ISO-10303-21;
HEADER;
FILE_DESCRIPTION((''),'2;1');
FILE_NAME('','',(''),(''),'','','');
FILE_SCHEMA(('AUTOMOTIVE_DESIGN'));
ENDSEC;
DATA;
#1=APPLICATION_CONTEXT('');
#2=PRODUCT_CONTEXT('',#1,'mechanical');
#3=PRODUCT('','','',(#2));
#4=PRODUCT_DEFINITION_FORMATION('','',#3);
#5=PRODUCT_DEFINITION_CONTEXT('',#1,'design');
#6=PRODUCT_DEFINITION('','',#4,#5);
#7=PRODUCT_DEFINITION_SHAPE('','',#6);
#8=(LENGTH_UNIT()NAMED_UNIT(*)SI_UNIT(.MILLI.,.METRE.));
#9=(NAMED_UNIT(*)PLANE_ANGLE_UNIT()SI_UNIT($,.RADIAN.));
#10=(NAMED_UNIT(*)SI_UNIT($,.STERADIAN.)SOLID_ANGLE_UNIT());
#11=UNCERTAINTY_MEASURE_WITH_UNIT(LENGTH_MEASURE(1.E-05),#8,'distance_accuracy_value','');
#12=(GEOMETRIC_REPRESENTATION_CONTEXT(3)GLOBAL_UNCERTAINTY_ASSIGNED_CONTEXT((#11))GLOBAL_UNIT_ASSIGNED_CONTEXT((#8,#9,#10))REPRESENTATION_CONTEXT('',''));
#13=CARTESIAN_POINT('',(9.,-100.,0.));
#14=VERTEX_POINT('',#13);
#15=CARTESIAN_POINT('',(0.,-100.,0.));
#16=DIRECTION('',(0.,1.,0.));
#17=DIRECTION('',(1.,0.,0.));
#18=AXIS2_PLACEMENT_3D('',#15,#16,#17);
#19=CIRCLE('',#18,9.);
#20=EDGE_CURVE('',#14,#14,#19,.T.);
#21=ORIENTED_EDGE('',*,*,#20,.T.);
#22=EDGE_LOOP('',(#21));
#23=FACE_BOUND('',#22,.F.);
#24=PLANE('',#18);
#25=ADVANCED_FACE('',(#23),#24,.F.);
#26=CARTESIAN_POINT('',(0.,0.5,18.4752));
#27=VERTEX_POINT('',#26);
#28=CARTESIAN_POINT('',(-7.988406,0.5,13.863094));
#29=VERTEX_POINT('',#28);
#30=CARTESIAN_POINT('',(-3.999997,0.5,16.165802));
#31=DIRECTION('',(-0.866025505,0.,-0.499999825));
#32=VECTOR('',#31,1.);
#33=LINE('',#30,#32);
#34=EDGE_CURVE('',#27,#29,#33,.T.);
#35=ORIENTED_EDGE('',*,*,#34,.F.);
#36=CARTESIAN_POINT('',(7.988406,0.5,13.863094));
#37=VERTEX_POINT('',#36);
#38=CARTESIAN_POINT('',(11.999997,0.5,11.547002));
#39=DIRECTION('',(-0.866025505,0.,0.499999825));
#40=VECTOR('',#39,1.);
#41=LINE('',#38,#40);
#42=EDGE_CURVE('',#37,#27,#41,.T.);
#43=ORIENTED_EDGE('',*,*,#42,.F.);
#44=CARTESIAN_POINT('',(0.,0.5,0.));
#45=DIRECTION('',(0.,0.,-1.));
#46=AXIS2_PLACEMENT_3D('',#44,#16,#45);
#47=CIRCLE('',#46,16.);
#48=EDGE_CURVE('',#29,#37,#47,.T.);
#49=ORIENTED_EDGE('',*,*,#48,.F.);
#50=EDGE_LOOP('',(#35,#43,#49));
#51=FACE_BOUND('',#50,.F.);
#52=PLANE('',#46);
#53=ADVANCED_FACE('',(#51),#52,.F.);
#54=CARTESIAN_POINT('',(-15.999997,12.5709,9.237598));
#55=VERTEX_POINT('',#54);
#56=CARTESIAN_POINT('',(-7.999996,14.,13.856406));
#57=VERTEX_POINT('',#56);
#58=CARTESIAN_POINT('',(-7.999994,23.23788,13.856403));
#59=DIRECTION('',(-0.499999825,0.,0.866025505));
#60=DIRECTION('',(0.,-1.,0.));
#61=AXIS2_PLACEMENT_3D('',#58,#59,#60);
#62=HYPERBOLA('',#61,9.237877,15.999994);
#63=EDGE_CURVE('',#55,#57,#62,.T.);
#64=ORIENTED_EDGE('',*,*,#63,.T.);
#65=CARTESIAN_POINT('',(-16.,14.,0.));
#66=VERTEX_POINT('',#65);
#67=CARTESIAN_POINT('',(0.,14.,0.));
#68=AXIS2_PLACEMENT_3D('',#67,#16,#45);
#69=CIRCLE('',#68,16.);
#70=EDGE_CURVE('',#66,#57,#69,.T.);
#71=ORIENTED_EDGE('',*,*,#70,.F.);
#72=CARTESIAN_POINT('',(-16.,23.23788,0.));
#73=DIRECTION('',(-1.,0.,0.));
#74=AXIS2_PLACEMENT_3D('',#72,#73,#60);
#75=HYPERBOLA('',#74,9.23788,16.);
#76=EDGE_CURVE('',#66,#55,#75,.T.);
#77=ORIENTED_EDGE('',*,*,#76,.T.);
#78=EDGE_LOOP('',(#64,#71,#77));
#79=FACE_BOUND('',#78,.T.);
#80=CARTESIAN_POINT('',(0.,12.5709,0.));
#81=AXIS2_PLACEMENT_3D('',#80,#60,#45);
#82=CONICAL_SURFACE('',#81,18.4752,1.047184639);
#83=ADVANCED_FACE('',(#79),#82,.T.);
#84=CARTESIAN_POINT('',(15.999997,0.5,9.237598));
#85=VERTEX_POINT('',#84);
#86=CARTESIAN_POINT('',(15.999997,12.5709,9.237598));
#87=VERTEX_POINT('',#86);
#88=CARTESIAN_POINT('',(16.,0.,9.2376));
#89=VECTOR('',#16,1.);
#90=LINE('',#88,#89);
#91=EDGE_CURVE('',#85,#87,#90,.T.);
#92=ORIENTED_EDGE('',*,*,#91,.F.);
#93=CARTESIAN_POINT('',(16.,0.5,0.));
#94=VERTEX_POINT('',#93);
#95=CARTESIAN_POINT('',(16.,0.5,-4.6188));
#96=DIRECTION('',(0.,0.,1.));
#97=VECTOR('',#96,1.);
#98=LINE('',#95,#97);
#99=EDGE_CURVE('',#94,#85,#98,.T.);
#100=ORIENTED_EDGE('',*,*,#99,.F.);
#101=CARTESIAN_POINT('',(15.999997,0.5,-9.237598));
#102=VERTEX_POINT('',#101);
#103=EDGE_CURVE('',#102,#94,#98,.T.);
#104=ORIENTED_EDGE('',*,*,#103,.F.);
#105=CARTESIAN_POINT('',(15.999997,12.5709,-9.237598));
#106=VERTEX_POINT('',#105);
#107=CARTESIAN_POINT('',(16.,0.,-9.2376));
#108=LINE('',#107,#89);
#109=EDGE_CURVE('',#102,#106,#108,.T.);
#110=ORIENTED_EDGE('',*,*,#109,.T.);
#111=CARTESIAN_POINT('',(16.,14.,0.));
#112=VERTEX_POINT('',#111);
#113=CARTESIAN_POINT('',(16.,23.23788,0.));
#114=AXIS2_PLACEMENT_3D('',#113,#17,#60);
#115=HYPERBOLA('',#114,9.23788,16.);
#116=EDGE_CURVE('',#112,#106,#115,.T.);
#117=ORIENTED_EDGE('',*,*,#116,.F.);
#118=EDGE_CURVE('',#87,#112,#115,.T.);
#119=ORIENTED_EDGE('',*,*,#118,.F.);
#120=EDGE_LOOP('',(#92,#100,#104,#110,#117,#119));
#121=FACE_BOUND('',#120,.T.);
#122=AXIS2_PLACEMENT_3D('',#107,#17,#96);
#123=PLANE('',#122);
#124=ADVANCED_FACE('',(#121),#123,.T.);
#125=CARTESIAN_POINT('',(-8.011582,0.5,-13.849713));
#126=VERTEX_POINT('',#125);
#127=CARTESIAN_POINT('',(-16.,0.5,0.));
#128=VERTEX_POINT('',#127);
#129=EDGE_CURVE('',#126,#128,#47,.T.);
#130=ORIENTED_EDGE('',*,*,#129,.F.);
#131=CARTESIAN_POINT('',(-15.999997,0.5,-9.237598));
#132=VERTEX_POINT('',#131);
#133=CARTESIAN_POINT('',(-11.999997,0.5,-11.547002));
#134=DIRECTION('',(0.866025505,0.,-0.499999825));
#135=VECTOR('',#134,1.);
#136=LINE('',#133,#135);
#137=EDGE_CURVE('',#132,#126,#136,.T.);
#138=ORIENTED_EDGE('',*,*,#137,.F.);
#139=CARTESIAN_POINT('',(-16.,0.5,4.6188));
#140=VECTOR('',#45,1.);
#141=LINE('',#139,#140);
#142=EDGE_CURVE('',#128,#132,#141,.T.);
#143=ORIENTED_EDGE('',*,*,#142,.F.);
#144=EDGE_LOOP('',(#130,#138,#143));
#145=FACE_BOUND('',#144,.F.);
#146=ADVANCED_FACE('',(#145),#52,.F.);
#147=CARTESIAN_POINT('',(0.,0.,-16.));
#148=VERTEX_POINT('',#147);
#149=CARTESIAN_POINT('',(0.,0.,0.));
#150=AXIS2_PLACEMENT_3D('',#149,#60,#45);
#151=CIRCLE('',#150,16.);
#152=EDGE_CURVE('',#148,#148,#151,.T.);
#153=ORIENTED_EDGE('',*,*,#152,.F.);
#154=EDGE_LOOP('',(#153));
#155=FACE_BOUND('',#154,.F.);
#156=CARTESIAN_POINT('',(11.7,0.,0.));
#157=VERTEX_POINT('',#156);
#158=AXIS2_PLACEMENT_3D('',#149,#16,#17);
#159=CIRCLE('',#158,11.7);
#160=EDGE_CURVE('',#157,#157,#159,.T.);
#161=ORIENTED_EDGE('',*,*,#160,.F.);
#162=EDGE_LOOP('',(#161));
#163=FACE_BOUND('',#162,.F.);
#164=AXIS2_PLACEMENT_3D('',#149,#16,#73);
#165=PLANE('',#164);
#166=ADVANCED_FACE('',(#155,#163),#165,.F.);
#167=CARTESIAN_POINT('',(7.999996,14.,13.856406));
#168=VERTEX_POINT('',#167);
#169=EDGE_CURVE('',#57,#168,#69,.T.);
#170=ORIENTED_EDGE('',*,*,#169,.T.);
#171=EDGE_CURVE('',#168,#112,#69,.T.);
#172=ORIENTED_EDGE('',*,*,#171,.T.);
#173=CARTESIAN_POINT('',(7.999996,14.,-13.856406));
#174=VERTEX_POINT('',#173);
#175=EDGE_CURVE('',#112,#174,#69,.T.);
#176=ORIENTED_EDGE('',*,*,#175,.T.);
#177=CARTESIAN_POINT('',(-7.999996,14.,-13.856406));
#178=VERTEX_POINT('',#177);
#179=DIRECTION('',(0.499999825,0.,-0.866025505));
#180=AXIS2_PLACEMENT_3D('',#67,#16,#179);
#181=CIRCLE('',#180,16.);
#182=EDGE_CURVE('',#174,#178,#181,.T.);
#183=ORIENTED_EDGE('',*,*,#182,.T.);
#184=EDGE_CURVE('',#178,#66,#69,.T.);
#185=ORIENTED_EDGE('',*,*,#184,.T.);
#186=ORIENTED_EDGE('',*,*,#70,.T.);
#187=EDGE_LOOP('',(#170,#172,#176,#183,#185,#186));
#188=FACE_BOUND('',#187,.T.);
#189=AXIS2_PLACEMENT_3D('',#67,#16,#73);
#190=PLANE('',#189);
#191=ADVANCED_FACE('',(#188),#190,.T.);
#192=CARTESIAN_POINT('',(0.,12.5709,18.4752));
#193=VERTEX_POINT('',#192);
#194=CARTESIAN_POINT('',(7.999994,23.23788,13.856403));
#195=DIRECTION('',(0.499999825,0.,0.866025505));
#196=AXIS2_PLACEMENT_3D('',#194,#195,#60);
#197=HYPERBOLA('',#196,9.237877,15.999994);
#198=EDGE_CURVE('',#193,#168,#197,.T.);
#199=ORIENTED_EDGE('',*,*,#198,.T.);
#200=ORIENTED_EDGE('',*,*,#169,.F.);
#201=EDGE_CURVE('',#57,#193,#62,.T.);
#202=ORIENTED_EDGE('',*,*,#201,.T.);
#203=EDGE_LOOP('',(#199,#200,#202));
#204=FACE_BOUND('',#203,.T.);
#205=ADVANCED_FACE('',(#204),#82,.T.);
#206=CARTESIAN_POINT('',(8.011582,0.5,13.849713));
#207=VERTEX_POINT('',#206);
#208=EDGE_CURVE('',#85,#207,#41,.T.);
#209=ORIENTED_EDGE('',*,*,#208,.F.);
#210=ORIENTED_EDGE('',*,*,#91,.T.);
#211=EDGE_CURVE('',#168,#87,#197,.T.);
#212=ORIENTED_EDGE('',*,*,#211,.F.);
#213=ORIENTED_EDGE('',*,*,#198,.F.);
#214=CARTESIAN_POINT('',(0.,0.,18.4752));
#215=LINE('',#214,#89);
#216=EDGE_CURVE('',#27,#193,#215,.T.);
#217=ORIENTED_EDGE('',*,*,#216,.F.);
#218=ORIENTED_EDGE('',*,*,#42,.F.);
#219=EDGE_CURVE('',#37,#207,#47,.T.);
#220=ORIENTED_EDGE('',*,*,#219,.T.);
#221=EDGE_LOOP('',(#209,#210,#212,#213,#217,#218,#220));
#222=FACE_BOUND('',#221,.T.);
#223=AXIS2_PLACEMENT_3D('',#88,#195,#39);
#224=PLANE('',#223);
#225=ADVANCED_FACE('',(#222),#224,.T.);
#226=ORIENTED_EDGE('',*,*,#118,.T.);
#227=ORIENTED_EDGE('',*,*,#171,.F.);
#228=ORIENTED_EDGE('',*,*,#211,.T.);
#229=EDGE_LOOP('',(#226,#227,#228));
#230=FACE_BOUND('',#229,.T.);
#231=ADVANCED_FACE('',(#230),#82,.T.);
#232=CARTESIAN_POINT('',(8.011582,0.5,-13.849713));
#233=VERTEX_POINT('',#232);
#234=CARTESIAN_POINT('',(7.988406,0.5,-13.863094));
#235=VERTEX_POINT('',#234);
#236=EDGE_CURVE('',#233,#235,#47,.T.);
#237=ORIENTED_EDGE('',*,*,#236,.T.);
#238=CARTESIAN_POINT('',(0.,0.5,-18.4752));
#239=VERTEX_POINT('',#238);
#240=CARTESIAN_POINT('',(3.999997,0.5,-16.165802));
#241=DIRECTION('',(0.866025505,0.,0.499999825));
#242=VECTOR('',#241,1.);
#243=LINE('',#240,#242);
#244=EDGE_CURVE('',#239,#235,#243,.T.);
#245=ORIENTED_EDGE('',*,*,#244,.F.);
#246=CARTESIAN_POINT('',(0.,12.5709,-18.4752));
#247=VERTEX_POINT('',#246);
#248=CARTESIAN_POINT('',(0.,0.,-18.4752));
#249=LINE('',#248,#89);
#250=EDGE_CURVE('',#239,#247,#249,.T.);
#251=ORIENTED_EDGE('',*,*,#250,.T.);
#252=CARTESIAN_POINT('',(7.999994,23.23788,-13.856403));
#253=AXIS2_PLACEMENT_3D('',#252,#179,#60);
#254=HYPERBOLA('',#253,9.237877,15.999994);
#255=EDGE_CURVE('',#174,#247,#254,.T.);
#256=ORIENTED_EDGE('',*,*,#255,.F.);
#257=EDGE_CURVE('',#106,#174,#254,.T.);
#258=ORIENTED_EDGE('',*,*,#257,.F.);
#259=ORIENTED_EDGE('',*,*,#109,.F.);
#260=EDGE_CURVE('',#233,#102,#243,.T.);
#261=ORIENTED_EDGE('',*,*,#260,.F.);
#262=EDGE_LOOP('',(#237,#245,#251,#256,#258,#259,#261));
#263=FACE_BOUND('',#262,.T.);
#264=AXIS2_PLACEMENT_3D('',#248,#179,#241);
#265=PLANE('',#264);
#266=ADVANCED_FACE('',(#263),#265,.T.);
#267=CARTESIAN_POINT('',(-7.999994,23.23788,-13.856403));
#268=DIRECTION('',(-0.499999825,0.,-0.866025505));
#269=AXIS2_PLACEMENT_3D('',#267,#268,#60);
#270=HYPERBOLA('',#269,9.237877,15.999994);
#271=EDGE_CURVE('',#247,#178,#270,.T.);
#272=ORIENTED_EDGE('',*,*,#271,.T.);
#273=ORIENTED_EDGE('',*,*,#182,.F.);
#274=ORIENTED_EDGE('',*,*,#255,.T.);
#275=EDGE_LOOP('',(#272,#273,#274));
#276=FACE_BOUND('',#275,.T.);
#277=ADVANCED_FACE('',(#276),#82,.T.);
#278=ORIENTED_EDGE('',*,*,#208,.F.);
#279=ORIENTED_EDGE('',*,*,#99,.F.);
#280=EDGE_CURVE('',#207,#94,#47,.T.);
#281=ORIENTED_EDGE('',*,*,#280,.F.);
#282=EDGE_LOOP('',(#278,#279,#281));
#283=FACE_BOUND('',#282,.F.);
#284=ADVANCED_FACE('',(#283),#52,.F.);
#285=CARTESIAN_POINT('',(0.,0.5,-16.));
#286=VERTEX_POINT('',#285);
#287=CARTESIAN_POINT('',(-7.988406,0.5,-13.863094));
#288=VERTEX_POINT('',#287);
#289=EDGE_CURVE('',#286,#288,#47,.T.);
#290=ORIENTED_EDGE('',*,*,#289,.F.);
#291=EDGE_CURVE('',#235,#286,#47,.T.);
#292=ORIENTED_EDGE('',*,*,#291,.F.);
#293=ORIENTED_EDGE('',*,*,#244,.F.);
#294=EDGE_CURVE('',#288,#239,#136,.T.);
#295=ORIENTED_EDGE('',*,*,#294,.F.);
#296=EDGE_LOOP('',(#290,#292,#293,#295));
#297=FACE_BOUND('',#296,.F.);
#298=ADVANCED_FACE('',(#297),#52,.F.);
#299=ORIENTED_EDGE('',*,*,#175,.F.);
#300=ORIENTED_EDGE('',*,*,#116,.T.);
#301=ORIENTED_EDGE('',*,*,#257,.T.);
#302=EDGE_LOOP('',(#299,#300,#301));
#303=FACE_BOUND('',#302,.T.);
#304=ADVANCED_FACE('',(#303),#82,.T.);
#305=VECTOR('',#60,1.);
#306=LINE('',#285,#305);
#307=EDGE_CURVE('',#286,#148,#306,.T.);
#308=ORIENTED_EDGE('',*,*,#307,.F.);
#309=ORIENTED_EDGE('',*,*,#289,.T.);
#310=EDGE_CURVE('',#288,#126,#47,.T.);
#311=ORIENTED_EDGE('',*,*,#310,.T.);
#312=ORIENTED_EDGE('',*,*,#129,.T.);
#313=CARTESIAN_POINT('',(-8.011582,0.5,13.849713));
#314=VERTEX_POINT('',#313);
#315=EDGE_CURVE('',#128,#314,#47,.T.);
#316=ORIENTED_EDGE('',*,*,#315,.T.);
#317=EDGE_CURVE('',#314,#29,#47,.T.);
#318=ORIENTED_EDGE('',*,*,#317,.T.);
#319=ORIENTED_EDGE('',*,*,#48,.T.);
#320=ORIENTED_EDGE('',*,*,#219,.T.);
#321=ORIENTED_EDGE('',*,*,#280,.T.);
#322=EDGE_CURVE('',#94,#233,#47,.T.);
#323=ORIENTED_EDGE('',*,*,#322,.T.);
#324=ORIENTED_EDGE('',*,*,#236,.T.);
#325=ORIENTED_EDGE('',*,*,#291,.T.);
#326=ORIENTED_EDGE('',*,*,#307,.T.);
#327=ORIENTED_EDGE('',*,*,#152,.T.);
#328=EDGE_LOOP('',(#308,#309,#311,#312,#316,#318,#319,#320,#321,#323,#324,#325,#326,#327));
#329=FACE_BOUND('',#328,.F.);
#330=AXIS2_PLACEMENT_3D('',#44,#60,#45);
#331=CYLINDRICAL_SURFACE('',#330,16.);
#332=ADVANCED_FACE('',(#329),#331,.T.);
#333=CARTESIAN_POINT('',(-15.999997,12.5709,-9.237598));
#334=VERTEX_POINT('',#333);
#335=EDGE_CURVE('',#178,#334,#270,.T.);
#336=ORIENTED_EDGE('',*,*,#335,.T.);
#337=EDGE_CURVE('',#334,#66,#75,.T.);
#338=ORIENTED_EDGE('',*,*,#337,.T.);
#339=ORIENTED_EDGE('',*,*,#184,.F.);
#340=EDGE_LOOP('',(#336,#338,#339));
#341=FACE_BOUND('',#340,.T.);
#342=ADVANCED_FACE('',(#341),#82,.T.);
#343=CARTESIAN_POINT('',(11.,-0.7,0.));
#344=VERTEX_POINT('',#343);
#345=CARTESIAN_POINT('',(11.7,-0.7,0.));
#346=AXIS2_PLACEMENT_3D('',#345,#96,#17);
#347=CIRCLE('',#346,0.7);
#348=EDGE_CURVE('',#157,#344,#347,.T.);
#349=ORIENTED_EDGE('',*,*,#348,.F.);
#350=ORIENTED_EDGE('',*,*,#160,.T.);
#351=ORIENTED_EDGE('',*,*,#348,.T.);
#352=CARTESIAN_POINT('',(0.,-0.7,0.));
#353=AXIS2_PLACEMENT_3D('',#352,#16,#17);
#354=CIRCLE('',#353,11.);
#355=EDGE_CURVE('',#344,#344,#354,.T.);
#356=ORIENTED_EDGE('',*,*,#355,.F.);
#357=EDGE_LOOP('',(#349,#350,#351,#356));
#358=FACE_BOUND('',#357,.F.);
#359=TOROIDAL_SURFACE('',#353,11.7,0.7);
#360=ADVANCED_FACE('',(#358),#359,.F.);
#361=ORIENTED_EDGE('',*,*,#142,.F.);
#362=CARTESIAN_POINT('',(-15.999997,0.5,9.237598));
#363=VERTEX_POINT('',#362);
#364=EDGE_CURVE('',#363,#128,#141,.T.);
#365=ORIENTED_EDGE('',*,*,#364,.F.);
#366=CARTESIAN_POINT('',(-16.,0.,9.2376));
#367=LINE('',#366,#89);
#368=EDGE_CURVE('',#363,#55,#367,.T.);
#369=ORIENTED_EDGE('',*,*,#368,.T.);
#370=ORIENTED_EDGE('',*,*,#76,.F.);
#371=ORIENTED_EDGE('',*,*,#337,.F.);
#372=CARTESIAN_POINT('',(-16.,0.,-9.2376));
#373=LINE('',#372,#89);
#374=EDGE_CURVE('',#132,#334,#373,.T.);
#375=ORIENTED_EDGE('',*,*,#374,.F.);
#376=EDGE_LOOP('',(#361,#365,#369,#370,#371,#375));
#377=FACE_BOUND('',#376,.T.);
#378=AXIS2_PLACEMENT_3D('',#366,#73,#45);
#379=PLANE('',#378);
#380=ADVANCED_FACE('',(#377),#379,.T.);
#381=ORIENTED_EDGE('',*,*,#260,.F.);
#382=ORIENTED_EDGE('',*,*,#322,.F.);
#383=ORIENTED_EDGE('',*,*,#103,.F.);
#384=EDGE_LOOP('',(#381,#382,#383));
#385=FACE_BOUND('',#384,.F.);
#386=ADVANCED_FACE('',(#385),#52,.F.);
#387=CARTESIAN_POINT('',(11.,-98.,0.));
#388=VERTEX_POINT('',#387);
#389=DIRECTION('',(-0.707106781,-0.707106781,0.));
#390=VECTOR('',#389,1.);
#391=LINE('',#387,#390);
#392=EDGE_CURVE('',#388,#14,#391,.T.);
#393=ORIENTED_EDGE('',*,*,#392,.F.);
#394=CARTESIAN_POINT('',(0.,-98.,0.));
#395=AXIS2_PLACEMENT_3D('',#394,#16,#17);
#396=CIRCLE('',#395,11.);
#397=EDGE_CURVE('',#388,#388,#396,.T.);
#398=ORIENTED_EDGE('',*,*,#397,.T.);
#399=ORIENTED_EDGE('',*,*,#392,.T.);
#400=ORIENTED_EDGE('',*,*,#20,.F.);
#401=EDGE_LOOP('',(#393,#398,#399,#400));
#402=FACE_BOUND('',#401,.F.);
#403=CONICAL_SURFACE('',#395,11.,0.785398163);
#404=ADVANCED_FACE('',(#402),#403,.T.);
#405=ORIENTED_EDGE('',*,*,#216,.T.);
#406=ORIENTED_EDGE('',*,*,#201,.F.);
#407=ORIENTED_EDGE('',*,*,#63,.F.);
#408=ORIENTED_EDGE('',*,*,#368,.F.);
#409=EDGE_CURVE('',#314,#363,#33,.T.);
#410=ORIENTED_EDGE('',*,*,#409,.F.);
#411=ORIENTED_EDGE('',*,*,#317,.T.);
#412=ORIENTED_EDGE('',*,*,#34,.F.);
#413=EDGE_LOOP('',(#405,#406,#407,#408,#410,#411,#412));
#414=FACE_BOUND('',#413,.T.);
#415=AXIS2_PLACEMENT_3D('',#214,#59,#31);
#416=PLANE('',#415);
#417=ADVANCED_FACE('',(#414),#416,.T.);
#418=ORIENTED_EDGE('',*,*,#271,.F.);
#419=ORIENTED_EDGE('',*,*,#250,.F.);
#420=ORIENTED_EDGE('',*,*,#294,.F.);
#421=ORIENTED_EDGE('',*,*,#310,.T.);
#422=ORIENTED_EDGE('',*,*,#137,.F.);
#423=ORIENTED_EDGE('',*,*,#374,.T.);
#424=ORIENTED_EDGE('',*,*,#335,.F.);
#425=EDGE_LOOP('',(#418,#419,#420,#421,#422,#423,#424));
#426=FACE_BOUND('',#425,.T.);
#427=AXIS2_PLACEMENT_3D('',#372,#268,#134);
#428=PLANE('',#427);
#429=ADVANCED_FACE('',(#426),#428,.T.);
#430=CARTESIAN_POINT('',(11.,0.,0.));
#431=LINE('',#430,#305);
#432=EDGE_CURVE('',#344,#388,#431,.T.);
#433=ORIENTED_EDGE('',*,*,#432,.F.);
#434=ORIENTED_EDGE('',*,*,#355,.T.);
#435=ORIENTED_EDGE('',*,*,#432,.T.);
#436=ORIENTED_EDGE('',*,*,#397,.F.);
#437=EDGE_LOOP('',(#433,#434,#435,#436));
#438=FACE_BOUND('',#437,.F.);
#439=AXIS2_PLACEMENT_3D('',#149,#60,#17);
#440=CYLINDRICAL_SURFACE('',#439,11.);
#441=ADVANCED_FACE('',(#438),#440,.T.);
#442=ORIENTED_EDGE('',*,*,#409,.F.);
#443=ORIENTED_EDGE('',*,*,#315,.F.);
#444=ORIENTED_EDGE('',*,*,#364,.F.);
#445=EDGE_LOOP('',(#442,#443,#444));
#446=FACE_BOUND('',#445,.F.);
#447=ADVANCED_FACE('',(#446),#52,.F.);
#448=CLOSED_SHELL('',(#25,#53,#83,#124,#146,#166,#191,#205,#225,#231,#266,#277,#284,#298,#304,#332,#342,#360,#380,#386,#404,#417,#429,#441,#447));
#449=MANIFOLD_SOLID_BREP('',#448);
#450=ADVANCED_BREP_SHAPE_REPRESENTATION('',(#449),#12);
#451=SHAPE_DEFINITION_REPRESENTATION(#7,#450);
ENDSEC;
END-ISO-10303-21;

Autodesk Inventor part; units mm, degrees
ref_plane "YZ Plane" through (0, 0, 0) normal (1, 0, 0) x (0, 1, 0)
ref_plane "XZ Plane" through (0, 0, 0) normal (0, 1, 0) x (-1, 0, 0)
ref_plane "XY Plane" through (0, 0, 0) normal (0, 0, 1) x (1, 0, 0)
sketch "Sketch1" plane through (0, 0, 0) normal (0, 1, 0) x (-1, 0, 0)
  line L0 (127.8939, 73.8396) -> (127.8939, -73.8396)
  line L1 (127.8939, -73.8396) -> (0, -147.6791)
  line L2 (0, -147.6791) -> (-127.8939, -73.8396)
  line L3 (-127.8939, -73.8396) -> (-127.8939, 73.8396)
  line L4 (-127.8939, 73.8396) -> (0, 147.6791)
  line L5 (0, 147.6791) -> (127.8939, 73.8396)
  line L6 (-16, 9.2376) -> (0, 18.4752)
  line L7 (0, 18.4752) -> (16, 9.2376)
  line L8 (16, 9.2376) -> (16, -9.2376)
  line L9 (16, -9.2376) -> (0, -18.4752)
  line L10 (0, -18.4752) -> (-16, -9.2376)
  line L11 (-16, -9.2376) -> (-16, 9.2376)
  point P0 (0, 0)
  point P1 (0, 0)
  point P2 (0, 0)
  dimension "Shex" = 32
extrude "Extrusion1" add sketch "Sketch1" along normal blind 14 contours L6 L7 L8 L9 L10 L11
sketch "Sketch2" plane through (0, 0, 0) normal (1, 0, 0) x (0, 1, 0)
  line L0 (0, -18.4752) -> (14, -18.4752) construction
  line L1 (14, -18.4752) -> (12.5709, -18.4752)
  line L2 (12.5709, -18.4752) -> (14, -16)
  line L3 (14, -16) -> (14, -18.4752)
  line L4 (-3, 0) -> (18, 0) projected
  point P0 (0, 0)
  dimension "d4" = 60
  dimension "d5" = 32
revolve "Revolution1" cut sketch "Sketch2" angle 360 about axis through (0, -10, 0) along (0, 1, 0)
sketch "Sketch3" plane through (0, 0, 0) normal (0, 0, 1) x (1, 0, 0)
  line L0 (0, 0) -> (11, 0)
  line L1 (11, 0) -> (11, -100)
  line L2 (11, -100) -> (0, -100)
  line L3 (0, -100) -> (0, 0)
  dimension "L" = 100
  dimension "Dia" = 22
revolve "Revolution2" add sketch "Sketch3" angle 360 about axis through (0, -100, 0) along (0, 1, 0)
fillet "Fillet1" radius 0.7 1 edges at (-11, 0, 0)
chamfer "Chamfer1" distance 2 angle 45 1 edges at (-11, -100, 0)
thread "Thread2" size "M24x3" class "6g" standard "ANSI Metric M Profile" length 52
sketch "Sketch6" plane through (0, 0, 0) normal (1, 0, 0) x (0, 1, 0)
  line L0 (-3.0757, 0) -> (18.4544, 0) projected
  line L1 (0, -18.4752) -> (12.5709, -18.4752) projected
  line L2 (0, -18.4752) -> (0, -9.2376) projected
  line L3 (0, -9.2376) -> (12.5709, -9.2376) projected
  line L4 (0, -18.4752) -> (0.5, -18.4752)
  line L5 (0.5, -18.4752) -> (0.5, -16)
  line L6 (0.5, -16) -> (0, -16)
  line L7 (0, -16) -> (0, -18.4752)
  point P0 (0, 0)
  point P1 (14, -13.8564)
  point P2 (0, -16)
  dimension "a" = 0.5
  dimension "d34" = 32
revolve "Revolution3" cut sketch "Sketch6" angle 360 about axis through (0, -10, 0) along (0, 1, 0)
equation "\"d5\" = Shex"
equation "\"d31\" = b - cham"
equation "\"d34\" = Shex"
equation "\"b\" = 54"
equation "\"cham\" = 2"
properties part number "SCREW M24x120-01-02" material "Steel"
